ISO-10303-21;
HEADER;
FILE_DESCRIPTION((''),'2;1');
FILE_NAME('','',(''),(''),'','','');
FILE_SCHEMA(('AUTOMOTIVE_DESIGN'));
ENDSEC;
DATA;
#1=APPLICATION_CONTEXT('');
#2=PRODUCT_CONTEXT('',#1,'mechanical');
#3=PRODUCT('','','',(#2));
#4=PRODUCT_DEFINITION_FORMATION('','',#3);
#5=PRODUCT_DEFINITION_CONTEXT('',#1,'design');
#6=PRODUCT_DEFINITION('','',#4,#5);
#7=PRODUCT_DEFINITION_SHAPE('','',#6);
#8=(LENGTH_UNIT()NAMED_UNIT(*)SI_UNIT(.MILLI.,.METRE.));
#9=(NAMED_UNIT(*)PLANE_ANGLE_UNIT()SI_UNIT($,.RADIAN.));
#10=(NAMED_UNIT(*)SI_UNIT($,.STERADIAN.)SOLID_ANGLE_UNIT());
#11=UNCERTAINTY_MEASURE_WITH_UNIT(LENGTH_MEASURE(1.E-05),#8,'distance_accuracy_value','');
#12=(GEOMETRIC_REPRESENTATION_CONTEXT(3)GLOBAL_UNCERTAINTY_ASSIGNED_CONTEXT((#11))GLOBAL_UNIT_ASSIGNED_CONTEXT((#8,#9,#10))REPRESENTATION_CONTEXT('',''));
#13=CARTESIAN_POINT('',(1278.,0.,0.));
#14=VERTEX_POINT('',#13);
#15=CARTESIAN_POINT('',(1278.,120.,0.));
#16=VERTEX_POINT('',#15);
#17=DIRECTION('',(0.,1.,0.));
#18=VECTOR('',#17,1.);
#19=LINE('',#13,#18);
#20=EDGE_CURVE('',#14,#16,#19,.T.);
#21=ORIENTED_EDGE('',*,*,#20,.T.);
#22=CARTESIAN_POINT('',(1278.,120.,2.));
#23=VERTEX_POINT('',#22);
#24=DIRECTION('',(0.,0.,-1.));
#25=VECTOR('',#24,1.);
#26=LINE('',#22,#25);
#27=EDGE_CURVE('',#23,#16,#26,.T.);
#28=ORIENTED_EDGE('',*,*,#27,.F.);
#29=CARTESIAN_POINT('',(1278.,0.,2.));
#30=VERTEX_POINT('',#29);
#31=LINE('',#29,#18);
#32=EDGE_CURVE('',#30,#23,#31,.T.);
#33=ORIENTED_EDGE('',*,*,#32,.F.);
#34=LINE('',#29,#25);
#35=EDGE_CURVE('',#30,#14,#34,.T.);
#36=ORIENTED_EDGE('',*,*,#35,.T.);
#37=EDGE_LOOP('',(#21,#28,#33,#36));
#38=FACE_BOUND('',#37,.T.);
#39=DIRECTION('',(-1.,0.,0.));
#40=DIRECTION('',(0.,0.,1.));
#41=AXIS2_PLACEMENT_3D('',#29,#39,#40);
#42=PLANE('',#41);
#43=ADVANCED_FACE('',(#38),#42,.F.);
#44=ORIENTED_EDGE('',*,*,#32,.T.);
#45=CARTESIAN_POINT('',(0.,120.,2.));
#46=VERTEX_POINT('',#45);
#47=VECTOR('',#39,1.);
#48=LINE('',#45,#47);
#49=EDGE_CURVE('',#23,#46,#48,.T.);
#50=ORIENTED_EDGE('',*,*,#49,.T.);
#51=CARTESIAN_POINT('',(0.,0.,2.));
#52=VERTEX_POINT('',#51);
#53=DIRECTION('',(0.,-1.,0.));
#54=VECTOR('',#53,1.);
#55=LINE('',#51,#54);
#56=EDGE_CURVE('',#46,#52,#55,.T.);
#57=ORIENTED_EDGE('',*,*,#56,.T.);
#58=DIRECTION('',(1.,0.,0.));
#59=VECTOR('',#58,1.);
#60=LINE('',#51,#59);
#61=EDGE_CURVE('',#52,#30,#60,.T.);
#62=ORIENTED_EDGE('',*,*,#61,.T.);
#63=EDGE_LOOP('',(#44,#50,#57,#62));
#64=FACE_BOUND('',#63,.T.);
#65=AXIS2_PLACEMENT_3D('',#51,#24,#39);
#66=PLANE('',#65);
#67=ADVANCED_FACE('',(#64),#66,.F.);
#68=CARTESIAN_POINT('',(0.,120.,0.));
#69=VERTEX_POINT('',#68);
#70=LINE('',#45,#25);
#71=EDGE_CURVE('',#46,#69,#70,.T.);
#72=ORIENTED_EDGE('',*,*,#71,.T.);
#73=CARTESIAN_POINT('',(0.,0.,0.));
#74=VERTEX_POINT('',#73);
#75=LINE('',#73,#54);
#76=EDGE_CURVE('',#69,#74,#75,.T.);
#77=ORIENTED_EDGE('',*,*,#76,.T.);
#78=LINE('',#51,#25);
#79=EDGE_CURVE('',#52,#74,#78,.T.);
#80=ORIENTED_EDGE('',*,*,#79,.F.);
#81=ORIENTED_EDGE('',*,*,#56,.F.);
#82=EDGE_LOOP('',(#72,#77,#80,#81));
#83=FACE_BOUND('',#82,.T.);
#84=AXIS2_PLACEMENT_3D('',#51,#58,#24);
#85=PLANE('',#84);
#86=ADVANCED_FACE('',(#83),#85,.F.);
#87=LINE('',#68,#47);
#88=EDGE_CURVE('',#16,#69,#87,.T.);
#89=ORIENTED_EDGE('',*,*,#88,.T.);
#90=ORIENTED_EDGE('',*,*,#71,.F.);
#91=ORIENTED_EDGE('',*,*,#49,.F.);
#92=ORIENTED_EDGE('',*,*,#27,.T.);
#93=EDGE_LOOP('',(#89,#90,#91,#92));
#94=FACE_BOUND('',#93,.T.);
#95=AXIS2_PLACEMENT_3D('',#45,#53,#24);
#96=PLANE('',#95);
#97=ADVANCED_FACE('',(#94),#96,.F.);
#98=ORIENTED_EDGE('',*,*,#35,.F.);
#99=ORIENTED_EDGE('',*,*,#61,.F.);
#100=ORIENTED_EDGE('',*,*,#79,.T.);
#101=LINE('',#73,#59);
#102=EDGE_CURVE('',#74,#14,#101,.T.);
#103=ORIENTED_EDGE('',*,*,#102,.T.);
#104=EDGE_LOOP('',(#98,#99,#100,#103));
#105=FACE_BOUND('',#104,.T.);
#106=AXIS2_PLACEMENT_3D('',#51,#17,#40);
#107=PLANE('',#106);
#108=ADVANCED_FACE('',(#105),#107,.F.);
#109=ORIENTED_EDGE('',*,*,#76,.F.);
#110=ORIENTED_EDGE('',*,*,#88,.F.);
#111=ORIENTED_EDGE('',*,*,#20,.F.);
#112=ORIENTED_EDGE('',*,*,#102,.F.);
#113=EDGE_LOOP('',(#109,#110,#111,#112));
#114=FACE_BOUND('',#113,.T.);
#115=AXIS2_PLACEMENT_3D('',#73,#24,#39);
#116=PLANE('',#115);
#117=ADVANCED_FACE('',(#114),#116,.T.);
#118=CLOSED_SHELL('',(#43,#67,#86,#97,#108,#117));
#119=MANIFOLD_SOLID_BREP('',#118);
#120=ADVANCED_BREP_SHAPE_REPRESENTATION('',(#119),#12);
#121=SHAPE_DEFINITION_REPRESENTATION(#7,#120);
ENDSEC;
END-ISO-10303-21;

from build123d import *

# Parameters (mm, degrees)
ESQUISSE1_W        = 1278
ESQUISSE1_H        = 120
BOSS_EXTRU_1_DEPTH = 2


with BuildPart() as part:
    # Esquisse1 → Boss.-Extru.1 (new body)
    with BuildSketch(Plane.XY):
        with Locations((639, 60)):
            Rectangle(ESQUISSE1_W, ESQUISSE1_H)
    extrude(amount=BOSS_EXTRU_1_DEPTH)


solid = part.part
